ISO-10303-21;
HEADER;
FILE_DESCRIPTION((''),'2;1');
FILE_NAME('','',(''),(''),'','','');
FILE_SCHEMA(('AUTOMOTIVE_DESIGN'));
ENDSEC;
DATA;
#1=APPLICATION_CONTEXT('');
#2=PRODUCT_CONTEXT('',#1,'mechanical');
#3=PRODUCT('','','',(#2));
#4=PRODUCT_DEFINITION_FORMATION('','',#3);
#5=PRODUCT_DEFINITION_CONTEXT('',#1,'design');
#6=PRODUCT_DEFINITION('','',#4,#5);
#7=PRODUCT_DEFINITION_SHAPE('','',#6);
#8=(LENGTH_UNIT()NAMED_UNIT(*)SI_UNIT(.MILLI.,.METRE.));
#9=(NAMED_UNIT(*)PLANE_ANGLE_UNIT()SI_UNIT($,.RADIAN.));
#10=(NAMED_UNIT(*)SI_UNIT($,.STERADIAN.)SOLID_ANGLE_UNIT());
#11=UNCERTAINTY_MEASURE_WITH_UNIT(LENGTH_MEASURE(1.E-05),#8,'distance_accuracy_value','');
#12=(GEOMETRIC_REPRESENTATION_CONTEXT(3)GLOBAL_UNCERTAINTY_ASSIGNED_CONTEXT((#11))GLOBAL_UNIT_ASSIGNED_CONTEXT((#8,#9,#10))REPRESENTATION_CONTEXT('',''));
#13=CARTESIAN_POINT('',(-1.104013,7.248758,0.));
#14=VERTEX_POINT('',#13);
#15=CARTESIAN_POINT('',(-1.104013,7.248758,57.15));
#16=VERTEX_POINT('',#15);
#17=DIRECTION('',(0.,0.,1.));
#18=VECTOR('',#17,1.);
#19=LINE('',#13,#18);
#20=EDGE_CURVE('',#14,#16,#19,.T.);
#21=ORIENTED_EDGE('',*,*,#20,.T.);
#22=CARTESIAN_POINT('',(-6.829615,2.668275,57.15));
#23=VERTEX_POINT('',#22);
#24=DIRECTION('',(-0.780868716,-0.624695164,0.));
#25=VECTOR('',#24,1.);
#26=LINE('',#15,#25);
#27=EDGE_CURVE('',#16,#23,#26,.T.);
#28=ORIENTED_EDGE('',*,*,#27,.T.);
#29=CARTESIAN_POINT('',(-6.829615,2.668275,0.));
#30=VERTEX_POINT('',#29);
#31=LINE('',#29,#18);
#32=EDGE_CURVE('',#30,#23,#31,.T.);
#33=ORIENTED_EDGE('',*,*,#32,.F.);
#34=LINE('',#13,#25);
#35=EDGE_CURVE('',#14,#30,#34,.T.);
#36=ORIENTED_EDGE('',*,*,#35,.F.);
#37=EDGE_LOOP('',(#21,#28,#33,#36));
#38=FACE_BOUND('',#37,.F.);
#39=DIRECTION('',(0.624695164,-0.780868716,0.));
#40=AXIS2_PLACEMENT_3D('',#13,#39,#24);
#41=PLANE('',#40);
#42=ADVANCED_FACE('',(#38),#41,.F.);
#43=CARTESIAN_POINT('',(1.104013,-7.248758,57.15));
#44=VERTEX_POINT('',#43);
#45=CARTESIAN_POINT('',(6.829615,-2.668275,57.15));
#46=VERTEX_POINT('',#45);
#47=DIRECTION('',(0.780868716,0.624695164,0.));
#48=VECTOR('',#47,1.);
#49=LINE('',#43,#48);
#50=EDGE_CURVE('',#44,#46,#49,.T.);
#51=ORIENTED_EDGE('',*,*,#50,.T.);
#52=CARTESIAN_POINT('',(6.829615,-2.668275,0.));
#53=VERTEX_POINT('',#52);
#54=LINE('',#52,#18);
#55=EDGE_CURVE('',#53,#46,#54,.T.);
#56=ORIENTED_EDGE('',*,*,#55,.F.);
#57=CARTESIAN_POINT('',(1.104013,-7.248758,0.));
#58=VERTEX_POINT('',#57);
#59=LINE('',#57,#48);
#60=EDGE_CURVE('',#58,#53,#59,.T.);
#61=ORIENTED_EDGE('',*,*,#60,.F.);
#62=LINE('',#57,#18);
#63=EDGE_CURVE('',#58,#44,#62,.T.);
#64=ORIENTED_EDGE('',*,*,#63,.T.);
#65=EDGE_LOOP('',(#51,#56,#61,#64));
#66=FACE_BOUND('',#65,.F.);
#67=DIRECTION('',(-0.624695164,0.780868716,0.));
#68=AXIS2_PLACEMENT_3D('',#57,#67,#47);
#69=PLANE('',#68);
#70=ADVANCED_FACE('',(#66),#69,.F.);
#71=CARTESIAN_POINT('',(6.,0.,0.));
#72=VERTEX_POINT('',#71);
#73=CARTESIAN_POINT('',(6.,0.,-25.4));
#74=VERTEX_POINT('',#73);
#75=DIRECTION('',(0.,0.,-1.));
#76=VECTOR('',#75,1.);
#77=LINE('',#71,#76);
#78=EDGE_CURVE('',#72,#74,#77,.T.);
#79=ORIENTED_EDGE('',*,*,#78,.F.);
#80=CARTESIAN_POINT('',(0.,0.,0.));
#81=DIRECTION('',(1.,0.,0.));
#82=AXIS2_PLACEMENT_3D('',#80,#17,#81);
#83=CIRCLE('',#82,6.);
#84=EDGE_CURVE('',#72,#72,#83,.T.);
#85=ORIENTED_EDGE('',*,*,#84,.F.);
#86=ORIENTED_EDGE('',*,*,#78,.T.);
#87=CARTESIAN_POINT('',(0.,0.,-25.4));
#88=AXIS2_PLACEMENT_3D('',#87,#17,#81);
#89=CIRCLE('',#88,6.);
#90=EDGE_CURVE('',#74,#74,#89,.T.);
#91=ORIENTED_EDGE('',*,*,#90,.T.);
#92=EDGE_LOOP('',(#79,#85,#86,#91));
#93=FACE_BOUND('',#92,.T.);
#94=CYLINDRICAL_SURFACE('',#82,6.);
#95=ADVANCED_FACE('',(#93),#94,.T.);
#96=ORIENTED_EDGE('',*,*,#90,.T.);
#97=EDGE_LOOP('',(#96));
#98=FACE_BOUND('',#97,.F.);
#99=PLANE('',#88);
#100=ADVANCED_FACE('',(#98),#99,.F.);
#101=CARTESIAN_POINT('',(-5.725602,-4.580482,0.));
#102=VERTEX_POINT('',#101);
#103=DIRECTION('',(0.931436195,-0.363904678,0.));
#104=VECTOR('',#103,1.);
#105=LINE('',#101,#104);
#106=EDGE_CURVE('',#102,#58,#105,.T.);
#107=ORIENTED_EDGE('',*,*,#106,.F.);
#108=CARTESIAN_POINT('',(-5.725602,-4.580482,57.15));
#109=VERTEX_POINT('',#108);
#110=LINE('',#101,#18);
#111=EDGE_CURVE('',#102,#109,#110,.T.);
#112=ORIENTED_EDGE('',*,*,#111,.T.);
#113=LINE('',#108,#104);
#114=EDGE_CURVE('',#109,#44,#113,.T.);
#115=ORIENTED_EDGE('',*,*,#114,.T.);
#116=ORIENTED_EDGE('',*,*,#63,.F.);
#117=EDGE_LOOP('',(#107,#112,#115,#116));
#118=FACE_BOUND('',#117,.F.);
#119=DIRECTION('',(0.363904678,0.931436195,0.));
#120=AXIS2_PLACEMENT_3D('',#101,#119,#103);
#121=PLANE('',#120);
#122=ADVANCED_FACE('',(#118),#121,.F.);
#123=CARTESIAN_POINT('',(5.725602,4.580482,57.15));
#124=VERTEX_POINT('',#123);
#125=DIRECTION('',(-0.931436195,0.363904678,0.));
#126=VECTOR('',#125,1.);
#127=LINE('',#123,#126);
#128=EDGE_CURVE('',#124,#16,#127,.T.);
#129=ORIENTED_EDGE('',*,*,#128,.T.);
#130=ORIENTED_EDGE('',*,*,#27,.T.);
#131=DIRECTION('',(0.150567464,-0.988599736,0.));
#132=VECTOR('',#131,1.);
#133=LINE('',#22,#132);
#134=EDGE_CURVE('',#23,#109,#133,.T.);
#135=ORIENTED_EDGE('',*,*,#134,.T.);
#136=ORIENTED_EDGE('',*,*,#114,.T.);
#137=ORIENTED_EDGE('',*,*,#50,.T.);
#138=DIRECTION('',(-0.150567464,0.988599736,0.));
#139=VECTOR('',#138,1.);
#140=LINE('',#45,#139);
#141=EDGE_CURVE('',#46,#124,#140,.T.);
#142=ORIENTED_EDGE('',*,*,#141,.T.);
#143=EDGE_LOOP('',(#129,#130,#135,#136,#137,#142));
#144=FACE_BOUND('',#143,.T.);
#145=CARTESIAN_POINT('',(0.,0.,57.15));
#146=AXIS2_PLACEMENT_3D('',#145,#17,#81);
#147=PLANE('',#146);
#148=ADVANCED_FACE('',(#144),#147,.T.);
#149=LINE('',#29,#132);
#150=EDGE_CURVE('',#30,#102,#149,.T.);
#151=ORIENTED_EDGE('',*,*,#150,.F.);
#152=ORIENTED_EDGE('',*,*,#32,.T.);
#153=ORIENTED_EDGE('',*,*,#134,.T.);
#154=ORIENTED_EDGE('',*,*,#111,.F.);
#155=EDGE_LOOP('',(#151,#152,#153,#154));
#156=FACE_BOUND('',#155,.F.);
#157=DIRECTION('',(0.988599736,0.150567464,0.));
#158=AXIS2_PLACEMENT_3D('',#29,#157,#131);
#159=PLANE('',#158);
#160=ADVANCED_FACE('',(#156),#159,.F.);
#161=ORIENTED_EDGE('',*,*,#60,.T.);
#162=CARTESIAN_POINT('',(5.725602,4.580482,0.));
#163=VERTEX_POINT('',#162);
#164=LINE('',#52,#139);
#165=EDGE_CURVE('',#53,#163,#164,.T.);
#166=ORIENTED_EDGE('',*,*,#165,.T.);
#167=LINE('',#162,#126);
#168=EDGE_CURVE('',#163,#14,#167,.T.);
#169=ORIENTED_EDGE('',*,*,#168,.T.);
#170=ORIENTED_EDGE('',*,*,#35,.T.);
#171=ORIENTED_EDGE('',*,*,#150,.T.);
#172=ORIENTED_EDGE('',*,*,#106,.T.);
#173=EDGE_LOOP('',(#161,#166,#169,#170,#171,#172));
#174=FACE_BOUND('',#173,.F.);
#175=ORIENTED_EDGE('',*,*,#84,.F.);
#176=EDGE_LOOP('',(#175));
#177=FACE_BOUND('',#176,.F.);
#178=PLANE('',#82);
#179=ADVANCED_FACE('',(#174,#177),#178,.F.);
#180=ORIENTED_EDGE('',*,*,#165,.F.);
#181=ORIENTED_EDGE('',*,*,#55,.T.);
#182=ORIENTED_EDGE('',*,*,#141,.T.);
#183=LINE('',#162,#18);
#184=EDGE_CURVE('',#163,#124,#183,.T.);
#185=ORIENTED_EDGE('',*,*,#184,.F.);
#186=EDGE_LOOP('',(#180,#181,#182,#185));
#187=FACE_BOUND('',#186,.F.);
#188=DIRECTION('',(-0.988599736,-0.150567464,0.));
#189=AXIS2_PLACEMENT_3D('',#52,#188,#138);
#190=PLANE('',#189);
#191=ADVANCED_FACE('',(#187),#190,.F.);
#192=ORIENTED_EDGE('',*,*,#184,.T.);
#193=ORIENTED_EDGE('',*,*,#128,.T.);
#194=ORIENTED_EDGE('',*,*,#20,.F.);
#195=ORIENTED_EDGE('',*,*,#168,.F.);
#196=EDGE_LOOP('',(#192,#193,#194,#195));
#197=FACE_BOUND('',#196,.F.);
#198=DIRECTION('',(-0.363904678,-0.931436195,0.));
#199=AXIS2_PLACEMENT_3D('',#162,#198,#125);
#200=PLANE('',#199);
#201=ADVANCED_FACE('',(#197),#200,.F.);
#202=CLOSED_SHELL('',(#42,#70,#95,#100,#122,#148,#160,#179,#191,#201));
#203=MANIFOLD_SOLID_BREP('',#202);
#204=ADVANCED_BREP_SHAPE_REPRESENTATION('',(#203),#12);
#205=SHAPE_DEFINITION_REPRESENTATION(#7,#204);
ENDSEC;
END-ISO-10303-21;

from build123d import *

# Parameters (mm, degrees)
F1_DEPTH = 57.15
F2_R     = 6
F3_DEPTH = 25.4


with BuildPart() as f1:
    # F0 (on Top) → F1 (new body)
    with BuildSketch(Plane.XY):
        Polygon((1.104013, -7.248758), (6.829615, -2.668275), (5.725602, 4.580482), (-1.104013, 7.248758), (-6.829615, 2.668275), (-5.725602, -4.580482), align=None)
    extrude(amount=F1_DEPTH)

    # F2 (on Top) → F3 (join)
    with BuildSketch(Plane.XY):
        Circle(F2_R)
    extrude(amount=-F3_DEPTH)


solid = f1.part
